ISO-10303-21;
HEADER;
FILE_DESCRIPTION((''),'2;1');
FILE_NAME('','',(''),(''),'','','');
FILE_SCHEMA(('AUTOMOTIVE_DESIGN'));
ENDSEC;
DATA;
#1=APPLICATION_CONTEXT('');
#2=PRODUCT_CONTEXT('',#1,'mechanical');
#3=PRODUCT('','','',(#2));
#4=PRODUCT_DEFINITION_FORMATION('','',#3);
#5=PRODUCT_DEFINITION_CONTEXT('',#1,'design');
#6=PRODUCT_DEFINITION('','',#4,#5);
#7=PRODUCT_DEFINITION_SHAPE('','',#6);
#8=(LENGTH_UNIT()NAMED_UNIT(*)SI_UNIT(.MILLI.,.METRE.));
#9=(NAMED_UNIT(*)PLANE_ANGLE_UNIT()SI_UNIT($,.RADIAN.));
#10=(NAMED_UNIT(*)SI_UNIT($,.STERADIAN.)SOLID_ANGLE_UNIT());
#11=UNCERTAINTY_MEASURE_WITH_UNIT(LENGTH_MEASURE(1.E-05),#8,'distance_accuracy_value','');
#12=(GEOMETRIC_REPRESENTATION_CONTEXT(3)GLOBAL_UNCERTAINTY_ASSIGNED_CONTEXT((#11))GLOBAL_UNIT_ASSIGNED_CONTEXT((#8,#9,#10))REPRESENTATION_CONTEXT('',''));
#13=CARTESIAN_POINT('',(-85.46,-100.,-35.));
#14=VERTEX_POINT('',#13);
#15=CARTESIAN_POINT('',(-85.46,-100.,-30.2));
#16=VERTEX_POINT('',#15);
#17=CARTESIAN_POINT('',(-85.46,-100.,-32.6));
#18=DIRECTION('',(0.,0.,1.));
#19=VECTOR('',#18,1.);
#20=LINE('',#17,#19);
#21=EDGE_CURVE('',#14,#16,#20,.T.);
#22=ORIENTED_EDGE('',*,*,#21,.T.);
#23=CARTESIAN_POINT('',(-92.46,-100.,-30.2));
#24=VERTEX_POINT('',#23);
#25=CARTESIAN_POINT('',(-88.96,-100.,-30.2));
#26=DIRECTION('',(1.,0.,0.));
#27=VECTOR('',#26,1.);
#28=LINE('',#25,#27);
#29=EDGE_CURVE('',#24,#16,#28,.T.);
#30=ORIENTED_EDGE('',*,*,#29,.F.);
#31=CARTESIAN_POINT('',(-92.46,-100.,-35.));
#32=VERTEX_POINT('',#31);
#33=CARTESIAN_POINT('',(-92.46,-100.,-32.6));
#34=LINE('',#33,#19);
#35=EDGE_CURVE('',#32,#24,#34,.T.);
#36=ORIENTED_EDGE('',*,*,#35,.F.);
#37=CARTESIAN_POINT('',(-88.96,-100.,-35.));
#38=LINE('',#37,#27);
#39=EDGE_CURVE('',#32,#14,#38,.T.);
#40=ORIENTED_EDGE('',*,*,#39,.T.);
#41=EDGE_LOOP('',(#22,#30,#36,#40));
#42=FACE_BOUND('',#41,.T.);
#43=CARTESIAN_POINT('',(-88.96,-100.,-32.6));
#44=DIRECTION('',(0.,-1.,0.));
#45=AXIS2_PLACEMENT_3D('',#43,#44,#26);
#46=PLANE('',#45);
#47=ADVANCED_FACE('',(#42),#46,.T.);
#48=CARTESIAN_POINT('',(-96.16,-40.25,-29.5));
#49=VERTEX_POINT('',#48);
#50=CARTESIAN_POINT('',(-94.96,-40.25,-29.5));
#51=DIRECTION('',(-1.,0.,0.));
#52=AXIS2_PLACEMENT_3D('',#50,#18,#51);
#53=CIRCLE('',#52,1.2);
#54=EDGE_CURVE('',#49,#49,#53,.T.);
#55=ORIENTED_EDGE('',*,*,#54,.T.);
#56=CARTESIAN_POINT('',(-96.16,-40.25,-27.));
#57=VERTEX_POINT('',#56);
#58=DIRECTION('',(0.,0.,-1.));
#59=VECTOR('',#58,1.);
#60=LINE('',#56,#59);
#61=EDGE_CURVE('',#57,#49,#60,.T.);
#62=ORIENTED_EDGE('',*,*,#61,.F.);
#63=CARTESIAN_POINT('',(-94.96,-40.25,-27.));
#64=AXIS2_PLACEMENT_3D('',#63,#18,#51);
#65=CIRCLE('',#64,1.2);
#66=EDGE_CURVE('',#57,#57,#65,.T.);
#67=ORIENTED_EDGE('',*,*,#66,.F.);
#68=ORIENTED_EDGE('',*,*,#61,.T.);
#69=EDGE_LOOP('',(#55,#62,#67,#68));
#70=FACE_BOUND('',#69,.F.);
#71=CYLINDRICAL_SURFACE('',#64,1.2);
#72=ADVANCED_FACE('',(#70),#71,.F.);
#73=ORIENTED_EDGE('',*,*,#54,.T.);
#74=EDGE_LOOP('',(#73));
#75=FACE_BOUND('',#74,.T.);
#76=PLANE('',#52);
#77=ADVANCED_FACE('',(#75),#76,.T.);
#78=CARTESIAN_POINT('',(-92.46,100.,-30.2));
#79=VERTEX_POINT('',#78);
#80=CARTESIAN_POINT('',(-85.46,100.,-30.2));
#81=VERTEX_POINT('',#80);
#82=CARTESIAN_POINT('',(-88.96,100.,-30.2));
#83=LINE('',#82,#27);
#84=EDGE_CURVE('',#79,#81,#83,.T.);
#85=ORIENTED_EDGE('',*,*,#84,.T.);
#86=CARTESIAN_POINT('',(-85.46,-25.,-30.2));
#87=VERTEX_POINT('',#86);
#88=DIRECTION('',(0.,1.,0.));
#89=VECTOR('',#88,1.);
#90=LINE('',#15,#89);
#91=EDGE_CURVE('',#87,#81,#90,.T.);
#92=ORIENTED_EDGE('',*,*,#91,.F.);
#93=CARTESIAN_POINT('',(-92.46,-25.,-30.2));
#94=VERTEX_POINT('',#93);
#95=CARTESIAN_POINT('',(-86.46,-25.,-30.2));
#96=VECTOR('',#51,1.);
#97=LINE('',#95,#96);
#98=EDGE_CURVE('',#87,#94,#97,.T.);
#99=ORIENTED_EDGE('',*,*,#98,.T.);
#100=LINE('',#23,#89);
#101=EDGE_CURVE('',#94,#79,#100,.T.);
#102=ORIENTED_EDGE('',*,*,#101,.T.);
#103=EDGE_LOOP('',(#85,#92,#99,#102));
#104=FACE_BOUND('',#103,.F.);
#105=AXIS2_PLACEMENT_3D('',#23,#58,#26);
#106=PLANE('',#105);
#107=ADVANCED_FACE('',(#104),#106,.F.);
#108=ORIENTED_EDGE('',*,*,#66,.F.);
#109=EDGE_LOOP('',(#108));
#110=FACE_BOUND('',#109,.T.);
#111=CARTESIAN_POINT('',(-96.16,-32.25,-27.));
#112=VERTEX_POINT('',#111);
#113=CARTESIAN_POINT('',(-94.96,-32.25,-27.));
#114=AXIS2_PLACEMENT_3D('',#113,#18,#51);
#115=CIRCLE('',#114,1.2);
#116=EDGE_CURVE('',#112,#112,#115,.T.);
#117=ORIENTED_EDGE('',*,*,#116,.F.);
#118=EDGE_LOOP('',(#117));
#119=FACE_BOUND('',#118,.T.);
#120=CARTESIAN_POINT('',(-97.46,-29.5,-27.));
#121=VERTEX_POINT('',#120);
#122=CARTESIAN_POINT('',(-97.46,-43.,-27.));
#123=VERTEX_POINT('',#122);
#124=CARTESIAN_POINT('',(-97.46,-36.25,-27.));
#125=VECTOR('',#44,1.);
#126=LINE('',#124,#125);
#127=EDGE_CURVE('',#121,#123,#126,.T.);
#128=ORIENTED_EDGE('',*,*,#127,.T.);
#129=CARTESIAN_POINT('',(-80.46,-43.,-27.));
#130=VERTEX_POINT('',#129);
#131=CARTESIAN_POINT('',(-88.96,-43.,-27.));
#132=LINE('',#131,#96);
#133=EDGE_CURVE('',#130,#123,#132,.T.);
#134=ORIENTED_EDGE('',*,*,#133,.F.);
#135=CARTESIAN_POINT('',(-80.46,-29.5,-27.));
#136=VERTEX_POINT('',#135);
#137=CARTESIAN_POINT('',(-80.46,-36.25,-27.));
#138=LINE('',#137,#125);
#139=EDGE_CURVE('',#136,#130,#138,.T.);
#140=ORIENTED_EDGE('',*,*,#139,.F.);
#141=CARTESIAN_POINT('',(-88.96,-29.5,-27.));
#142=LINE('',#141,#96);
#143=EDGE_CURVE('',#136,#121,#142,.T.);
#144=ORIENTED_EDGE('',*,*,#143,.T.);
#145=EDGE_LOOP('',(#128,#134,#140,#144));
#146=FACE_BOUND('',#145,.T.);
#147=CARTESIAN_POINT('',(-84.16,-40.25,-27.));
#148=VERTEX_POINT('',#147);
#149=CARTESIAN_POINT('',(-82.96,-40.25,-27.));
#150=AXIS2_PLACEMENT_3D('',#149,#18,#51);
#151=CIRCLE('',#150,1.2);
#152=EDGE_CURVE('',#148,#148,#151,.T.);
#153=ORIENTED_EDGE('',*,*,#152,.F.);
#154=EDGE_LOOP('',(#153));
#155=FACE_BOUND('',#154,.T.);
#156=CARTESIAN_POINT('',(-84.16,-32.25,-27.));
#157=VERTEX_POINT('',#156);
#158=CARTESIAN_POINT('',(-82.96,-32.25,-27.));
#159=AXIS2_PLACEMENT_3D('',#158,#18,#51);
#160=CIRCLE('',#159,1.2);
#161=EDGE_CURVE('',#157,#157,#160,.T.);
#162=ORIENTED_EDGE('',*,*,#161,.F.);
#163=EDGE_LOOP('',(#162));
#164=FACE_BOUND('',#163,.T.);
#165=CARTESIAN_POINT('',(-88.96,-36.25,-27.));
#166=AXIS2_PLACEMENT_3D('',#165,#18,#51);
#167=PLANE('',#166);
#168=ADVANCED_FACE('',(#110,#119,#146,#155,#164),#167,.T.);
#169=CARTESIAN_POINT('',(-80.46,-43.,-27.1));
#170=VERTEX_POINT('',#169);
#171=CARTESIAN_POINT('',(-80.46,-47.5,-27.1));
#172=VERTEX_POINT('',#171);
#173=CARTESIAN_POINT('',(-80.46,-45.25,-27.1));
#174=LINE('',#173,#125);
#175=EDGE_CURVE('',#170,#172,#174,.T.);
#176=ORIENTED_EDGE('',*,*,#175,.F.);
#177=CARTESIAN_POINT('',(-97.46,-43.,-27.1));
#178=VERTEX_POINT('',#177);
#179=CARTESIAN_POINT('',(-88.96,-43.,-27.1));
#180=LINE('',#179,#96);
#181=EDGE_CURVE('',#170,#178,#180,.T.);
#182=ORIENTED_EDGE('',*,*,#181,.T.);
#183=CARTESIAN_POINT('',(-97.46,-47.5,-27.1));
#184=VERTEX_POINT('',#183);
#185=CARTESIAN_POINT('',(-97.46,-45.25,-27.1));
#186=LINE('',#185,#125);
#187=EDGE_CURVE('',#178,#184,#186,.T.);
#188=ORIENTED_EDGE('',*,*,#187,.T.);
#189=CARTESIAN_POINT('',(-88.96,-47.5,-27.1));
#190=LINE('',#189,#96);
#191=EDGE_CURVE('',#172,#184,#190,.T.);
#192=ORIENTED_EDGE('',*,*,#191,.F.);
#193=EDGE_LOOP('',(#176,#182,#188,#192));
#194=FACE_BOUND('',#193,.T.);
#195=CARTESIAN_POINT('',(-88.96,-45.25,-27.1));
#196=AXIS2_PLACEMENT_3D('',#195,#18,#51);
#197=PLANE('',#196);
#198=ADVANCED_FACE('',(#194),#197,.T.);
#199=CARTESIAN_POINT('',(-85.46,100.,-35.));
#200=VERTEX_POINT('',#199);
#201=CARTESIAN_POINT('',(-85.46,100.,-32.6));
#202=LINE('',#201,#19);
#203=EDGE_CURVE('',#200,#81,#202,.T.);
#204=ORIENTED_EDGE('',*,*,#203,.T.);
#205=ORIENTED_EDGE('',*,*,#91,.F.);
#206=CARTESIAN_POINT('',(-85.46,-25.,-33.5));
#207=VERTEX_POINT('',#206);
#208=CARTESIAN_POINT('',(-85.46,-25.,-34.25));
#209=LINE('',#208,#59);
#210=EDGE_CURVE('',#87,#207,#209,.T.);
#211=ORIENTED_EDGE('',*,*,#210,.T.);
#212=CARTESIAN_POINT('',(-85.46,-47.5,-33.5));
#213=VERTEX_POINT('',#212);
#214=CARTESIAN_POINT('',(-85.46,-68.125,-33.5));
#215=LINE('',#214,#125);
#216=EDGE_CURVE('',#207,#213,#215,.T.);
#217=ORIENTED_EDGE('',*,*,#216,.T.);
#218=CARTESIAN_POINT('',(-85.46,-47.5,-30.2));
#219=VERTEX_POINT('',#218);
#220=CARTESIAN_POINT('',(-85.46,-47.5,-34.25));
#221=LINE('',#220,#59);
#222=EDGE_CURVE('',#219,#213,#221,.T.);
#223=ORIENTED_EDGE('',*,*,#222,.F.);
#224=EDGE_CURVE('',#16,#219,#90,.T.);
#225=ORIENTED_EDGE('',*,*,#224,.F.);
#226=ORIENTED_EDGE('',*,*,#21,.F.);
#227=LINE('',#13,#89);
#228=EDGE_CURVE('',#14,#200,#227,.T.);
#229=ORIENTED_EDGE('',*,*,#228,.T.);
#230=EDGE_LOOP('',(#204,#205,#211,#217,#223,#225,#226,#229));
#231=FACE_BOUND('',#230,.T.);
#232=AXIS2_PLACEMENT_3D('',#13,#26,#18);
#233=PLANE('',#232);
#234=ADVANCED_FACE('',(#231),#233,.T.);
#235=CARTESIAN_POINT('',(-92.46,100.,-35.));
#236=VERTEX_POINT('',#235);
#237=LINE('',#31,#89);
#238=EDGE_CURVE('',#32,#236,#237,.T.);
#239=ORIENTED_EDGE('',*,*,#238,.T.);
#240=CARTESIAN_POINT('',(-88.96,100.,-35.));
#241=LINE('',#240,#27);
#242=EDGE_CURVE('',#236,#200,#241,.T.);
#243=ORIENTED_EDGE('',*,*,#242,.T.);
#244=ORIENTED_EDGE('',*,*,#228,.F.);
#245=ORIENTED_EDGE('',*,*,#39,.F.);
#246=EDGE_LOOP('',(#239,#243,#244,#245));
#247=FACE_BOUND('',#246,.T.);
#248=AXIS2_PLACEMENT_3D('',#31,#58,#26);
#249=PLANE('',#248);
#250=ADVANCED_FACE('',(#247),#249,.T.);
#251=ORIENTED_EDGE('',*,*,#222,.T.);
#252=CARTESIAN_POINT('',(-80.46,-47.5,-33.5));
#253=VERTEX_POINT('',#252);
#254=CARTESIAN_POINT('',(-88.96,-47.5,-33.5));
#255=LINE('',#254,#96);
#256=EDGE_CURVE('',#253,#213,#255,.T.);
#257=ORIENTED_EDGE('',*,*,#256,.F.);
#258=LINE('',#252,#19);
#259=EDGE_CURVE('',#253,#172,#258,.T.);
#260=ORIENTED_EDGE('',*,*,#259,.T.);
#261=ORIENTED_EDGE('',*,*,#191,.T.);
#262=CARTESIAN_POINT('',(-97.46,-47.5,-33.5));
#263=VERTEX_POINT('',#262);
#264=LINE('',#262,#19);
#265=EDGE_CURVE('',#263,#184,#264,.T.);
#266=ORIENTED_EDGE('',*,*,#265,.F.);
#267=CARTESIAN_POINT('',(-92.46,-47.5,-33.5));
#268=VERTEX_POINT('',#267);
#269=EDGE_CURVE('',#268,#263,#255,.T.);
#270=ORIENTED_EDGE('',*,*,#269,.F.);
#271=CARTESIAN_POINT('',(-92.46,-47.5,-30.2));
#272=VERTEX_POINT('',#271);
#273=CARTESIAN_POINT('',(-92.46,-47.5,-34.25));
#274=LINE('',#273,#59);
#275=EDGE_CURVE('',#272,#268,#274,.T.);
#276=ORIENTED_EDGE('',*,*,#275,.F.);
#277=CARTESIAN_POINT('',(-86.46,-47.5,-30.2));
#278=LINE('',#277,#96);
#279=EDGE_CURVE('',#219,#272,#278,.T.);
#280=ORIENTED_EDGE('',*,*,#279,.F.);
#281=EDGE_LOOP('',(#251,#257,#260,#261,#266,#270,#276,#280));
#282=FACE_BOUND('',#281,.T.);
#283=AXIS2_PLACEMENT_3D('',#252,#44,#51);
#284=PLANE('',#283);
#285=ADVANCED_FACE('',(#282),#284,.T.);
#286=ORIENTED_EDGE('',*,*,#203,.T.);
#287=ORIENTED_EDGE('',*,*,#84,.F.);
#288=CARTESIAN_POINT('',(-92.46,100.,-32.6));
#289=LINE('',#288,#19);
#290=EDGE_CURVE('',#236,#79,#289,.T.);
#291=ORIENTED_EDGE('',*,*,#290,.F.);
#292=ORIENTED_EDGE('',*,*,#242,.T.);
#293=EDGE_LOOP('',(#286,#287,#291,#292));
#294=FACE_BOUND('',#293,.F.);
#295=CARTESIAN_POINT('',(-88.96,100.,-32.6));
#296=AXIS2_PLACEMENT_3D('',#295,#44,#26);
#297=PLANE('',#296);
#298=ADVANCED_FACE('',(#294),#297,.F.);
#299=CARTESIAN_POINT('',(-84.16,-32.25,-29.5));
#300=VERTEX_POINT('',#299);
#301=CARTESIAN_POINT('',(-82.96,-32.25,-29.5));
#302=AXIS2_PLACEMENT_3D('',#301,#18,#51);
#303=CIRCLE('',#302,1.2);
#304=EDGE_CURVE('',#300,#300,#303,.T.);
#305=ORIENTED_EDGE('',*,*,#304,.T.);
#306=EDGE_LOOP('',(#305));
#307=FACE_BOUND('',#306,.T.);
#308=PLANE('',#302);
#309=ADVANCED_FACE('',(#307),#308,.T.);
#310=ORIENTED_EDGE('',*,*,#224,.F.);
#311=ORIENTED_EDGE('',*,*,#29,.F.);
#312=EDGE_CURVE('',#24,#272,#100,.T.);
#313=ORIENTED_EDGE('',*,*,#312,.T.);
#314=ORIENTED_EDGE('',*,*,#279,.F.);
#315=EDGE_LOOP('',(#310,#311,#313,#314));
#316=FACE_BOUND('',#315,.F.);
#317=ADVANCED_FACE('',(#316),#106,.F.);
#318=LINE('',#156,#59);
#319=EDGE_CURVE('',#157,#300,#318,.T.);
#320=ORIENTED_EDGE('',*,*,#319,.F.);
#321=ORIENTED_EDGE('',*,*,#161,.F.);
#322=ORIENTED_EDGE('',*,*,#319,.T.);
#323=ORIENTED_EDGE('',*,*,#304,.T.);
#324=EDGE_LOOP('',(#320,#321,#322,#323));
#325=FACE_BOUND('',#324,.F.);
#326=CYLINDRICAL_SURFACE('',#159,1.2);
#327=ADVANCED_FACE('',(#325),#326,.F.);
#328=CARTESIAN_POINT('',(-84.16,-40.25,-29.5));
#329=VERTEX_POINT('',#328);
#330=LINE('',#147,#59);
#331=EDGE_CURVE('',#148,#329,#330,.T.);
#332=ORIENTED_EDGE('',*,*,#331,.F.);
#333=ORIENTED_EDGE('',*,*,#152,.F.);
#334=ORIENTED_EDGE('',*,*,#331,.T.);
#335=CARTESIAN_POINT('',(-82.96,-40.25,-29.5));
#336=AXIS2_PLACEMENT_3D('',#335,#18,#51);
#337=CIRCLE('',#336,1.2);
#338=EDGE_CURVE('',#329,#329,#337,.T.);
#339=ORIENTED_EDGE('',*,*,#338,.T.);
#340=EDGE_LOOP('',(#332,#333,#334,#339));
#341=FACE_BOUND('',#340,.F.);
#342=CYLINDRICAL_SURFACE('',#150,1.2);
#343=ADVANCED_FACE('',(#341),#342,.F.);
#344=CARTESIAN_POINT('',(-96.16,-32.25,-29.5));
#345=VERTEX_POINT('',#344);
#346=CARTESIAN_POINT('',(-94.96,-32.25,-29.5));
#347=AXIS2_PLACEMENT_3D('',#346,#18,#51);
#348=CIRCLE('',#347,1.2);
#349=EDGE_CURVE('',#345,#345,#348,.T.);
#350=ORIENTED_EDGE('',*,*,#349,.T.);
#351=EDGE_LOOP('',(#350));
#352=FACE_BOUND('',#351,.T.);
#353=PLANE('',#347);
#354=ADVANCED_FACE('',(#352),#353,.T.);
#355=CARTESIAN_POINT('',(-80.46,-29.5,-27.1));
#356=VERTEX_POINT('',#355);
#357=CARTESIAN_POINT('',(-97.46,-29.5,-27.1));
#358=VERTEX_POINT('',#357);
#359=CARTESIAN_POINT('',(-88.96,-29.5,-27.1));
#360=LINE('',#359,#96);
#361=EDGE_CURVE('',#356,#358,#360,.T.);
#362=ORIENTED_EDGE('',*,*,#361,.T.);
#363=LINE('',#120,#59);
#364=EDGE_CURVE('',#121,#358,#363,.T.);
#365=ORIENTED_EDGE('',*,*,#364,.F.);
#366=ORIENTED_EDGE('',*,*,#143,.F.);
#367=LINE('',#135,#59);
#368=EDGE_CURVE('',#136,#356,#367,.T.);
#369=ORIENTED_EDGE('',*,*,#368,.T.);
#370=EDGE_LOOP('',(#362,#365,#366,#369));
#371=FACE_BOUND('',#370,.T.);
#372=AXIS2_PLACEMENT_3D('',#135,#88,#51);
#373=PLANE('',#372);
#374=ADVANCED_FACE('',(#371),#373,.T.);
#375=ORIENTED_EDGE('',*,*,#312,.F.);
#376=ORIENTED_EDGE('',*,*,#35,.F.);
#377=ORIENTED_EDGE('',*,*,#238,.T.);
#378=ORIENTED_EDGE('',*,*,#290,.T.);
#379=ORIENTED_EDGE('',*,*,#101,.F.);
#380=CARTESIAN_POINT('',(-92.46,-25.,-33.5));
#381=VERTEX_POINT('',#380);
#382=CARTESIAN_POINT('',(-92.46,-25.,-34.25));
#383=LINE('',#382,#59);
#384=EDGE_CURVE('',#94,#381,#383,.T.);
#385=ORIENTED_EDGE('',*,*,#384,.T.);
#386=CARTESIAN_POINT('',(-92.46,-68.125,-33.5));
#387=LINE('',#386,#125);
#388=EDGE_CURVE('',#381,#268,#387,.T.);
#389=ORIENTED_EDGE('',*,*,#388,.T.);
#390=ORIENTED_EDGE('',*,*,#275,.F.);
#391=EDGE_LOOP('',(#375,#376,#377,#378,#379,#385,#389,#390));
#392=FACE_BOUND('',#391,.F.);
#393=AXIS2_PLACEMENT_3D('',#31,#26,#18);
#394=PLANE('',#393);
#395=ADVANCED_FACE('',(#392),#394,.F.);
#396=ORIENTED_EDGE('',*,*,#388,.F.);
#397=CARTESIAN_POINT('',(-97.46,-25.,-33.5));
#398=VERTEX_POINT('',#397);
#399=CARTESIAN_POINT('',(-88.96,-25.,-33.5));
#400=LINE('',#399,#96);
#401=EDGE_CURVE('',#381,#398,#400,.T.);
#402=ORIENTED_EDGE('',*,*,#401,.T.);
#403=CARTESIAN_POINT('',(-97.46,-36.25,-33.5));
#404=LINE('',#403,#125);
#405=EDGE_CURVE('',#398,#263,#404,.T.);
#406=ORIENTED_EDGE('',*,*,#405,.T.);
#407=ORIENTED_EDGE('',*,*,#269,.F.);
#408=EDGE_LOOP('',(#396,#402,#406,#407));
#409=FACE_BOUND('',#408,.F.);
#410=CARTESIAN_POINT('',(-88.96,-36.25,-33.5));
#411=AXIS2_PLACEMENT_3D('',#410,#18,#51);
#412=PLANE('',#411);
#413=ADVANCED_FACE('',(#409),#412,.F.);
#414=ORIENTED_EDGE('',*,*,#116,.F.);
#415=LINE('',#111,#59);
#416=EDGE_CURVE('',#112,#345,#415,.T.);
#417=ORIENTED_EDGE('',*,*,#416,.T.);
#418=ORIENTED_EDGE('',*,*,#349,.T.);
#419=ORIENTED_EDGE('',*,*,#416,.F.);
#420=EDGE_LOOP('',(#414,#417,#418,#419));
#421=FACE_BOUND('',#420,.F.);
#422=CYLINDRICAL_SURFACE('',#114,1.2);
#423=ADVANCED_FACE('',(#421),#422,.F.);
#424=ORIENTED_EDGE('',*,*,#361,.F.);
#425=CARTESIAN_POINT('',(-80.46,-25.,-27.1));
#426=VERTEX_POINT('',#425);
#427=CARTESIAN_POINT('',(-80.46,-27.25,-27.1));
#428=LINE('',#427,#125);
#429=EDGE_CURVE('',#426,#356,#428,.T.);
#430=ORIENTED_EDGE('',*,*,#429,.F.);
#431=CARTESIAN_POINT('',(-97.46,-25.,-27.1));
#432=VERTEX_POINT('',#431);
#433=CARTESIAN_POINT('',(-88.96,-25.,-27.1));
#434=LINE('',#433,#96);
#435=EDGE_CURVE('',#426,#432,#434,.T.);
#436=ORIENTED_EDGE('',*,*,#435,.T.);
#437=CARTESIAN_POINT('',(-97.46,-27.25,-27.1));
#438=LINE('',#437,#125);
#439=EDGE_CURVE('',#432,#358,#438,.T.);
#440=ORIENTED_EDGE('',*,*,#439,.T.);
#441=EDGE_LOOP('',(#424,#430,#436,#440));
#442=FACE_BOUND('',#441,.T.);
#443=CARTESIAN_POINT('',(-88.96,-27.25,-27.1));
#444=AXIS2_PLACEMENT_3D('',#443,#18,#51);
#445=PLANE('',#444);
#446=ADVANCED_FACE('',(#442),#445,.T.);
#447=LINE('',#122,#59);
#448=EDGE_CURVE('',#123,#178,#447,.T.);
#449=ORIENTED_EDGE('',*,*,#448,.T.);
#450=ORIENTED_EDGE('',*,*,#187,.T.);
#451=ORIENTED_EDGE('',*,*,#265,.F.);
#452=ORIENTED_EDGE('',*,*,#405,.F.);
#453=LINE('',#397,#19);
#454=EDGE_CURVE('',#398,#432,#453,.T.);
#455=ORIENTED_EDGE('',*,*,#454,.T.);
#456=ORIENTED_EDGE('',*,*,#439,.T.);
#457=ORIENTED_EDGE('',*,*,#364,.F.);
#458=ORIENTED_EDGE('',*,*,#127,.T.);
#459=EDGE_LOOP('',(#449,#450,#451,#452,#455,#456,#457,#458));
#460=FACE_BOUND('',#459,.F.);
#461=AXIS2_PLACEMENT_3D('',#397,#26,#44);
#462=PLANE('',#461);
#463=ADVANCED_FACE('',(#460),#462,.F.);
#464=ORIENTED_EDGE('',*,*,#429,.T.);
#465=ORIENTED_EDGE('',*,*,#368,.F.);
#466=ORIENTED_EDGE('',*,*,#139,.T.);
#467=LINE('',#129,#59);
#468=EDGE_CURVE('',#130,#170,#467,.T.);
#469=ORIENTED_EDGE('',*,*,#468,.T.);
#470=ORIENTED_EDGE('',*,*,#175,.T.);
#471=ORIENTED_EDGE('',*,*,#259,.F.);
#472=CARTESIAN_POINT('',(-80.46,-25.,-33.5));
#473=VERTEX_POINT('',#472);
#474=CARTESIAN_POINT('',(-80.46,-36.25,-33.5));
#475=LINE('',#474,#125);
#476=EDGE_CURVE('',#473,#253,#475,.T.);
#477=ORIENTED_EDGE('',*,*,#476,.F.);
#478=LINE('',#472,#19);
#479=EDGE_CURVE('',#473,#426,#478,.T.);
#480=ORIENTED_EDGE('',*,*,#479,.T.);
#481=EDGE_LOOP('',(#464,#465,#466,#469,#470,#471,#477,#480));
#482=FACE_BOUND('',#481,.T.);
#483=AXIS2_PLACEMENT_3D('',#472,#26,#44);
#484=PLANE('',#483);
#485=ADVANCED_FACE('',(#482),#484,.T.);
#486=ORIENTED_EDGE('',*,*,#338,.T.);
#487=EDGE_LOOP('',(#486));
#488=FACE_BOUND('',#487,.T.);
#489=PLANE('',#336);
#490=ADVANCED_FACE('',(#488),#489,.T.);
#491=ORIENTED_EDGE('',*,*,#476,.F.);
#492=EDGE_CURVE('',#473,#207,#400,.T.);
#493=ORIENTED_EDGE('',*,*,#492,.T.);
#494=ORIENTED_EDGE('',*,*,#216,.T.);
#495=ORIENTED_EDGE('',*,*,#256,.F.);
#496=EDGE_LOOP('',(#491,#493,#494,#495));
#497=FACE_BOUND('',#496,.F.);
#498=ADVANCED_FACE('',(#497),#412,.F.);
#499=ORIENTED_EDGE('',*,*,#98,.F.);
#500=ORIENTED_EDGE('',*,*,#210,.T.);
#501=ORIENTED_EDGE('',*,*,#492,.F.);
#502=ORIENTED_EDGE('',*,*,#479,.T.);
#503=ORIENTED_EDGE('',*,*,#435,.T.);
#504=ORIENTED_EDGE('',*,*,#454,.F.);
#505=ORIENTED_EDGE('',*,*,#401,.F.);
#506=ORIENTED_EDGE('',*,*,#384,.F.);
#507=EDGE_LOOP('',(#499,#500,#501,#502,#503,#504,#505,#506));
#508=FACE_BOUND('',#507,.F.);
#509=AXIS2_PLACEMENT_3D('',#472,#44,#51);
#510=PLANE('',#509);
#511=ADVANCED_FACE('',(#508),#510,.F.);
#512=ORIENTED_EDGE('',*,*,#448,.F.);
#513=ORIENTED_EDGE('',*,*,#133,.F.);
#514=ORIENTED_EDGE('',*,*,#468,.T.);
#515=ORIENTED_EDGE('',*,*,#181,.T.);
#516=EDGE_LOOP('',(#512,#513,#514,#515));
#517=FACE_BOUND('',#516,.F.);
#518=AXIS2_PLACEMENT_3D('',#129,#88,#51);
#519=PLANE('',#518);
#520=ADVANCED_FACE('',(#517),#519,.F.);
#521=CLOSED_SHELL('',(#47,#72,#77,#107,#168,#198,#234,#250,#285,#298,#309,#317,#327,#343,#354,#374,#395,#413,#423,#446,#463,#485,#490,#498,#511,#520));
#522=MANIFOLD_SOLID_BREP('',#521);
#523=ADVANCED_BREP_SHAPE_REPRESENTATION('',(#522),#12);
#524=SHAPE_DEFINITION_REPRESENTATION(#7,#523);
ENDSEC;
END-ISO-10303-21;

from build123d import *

# Parameters (mm, degrees)
SKETCH026_W     = 7
SKETCH026_H     = 4.8
PAD010_DEPTH    = 200
SKETCH027_W     = 17
SKETCH027_H     = 22.5
PAD011_DEPTH    = 6.5
SKETCH029_W     = 17
SKETCH029_H     = 4.5
POCKET016_DEPTH = 0.1
SKETCH028_R     = 1.2
POCKET017_DEPTH = 2.5


with BuildPart() as part:
    # Sketch026 → Pad010 (new body)
    with BuildSketch(Plane.XZ):
        with Locations((3.5, 2.4)):
            Rectangle(SKETCH026_W, SKETCH026_H)
    extrude(amount=-PAD010_DEPTH)

    # Sketch027 (on Face1 of Pad010) → Pad011 (join)
    with BuildSketch(Plane(origin=(0, 0, 1.5), x_dir=(-1, 0, 0), z_dir=(0, 0, 1))):
        with Locations((-3.5, -63.75)):
            Rectangle(SKETCH027_W, SKETCH027_H)
    extrude(amount=PAD011_DEPTH)

    # Sketch029 (on Face13 of Pad011) → Pocket016 (cut)
    with BuildSketch(Plane(origin=(0, 0, 8), x_dir=(-1, 0, 0), z_dir=(0, 0, 1))):
        with Locations((-3.5, -54.75)):
            Rectangle(SKETCH029_W, SKETCH029_H)
        with Locations((-3.5, -72.75)):
            Rectangle(SKETCH029_W, SKETCH029_H)
    extrude(amount=-POCKET016_DEPTH, mode=Mode.SUBTRACT)

    # Sketch028 (on Face17 of Pocket016) → Pocket017 (cut)
    with BuildSketch(Plane(origin=(0, 0, 8), x_dir=(-1, 0, 0), z_dir=(0, 0, 1))):
        with Locations((-9.5, -59.75)):
            Circle(SKETCH028_R)
        with Locations((2.5, -59.75)):
            Circle(SKETCH028_R)
        with Locations((2.5, -67.75)):
            Circle(SKETCH028_R)
        with Locations((-9.5, -67.75)):
            Circle(SKETCH028_R)
    extrude(amount=-POCKET017_DEPTH, mode=Mode.SUBTRACT)


with BuildPart() as part_1:
    # Body006 placement: moved
    add(part.part.moved(Location((-92.46, -100, -35))))


solid = part_1.part
